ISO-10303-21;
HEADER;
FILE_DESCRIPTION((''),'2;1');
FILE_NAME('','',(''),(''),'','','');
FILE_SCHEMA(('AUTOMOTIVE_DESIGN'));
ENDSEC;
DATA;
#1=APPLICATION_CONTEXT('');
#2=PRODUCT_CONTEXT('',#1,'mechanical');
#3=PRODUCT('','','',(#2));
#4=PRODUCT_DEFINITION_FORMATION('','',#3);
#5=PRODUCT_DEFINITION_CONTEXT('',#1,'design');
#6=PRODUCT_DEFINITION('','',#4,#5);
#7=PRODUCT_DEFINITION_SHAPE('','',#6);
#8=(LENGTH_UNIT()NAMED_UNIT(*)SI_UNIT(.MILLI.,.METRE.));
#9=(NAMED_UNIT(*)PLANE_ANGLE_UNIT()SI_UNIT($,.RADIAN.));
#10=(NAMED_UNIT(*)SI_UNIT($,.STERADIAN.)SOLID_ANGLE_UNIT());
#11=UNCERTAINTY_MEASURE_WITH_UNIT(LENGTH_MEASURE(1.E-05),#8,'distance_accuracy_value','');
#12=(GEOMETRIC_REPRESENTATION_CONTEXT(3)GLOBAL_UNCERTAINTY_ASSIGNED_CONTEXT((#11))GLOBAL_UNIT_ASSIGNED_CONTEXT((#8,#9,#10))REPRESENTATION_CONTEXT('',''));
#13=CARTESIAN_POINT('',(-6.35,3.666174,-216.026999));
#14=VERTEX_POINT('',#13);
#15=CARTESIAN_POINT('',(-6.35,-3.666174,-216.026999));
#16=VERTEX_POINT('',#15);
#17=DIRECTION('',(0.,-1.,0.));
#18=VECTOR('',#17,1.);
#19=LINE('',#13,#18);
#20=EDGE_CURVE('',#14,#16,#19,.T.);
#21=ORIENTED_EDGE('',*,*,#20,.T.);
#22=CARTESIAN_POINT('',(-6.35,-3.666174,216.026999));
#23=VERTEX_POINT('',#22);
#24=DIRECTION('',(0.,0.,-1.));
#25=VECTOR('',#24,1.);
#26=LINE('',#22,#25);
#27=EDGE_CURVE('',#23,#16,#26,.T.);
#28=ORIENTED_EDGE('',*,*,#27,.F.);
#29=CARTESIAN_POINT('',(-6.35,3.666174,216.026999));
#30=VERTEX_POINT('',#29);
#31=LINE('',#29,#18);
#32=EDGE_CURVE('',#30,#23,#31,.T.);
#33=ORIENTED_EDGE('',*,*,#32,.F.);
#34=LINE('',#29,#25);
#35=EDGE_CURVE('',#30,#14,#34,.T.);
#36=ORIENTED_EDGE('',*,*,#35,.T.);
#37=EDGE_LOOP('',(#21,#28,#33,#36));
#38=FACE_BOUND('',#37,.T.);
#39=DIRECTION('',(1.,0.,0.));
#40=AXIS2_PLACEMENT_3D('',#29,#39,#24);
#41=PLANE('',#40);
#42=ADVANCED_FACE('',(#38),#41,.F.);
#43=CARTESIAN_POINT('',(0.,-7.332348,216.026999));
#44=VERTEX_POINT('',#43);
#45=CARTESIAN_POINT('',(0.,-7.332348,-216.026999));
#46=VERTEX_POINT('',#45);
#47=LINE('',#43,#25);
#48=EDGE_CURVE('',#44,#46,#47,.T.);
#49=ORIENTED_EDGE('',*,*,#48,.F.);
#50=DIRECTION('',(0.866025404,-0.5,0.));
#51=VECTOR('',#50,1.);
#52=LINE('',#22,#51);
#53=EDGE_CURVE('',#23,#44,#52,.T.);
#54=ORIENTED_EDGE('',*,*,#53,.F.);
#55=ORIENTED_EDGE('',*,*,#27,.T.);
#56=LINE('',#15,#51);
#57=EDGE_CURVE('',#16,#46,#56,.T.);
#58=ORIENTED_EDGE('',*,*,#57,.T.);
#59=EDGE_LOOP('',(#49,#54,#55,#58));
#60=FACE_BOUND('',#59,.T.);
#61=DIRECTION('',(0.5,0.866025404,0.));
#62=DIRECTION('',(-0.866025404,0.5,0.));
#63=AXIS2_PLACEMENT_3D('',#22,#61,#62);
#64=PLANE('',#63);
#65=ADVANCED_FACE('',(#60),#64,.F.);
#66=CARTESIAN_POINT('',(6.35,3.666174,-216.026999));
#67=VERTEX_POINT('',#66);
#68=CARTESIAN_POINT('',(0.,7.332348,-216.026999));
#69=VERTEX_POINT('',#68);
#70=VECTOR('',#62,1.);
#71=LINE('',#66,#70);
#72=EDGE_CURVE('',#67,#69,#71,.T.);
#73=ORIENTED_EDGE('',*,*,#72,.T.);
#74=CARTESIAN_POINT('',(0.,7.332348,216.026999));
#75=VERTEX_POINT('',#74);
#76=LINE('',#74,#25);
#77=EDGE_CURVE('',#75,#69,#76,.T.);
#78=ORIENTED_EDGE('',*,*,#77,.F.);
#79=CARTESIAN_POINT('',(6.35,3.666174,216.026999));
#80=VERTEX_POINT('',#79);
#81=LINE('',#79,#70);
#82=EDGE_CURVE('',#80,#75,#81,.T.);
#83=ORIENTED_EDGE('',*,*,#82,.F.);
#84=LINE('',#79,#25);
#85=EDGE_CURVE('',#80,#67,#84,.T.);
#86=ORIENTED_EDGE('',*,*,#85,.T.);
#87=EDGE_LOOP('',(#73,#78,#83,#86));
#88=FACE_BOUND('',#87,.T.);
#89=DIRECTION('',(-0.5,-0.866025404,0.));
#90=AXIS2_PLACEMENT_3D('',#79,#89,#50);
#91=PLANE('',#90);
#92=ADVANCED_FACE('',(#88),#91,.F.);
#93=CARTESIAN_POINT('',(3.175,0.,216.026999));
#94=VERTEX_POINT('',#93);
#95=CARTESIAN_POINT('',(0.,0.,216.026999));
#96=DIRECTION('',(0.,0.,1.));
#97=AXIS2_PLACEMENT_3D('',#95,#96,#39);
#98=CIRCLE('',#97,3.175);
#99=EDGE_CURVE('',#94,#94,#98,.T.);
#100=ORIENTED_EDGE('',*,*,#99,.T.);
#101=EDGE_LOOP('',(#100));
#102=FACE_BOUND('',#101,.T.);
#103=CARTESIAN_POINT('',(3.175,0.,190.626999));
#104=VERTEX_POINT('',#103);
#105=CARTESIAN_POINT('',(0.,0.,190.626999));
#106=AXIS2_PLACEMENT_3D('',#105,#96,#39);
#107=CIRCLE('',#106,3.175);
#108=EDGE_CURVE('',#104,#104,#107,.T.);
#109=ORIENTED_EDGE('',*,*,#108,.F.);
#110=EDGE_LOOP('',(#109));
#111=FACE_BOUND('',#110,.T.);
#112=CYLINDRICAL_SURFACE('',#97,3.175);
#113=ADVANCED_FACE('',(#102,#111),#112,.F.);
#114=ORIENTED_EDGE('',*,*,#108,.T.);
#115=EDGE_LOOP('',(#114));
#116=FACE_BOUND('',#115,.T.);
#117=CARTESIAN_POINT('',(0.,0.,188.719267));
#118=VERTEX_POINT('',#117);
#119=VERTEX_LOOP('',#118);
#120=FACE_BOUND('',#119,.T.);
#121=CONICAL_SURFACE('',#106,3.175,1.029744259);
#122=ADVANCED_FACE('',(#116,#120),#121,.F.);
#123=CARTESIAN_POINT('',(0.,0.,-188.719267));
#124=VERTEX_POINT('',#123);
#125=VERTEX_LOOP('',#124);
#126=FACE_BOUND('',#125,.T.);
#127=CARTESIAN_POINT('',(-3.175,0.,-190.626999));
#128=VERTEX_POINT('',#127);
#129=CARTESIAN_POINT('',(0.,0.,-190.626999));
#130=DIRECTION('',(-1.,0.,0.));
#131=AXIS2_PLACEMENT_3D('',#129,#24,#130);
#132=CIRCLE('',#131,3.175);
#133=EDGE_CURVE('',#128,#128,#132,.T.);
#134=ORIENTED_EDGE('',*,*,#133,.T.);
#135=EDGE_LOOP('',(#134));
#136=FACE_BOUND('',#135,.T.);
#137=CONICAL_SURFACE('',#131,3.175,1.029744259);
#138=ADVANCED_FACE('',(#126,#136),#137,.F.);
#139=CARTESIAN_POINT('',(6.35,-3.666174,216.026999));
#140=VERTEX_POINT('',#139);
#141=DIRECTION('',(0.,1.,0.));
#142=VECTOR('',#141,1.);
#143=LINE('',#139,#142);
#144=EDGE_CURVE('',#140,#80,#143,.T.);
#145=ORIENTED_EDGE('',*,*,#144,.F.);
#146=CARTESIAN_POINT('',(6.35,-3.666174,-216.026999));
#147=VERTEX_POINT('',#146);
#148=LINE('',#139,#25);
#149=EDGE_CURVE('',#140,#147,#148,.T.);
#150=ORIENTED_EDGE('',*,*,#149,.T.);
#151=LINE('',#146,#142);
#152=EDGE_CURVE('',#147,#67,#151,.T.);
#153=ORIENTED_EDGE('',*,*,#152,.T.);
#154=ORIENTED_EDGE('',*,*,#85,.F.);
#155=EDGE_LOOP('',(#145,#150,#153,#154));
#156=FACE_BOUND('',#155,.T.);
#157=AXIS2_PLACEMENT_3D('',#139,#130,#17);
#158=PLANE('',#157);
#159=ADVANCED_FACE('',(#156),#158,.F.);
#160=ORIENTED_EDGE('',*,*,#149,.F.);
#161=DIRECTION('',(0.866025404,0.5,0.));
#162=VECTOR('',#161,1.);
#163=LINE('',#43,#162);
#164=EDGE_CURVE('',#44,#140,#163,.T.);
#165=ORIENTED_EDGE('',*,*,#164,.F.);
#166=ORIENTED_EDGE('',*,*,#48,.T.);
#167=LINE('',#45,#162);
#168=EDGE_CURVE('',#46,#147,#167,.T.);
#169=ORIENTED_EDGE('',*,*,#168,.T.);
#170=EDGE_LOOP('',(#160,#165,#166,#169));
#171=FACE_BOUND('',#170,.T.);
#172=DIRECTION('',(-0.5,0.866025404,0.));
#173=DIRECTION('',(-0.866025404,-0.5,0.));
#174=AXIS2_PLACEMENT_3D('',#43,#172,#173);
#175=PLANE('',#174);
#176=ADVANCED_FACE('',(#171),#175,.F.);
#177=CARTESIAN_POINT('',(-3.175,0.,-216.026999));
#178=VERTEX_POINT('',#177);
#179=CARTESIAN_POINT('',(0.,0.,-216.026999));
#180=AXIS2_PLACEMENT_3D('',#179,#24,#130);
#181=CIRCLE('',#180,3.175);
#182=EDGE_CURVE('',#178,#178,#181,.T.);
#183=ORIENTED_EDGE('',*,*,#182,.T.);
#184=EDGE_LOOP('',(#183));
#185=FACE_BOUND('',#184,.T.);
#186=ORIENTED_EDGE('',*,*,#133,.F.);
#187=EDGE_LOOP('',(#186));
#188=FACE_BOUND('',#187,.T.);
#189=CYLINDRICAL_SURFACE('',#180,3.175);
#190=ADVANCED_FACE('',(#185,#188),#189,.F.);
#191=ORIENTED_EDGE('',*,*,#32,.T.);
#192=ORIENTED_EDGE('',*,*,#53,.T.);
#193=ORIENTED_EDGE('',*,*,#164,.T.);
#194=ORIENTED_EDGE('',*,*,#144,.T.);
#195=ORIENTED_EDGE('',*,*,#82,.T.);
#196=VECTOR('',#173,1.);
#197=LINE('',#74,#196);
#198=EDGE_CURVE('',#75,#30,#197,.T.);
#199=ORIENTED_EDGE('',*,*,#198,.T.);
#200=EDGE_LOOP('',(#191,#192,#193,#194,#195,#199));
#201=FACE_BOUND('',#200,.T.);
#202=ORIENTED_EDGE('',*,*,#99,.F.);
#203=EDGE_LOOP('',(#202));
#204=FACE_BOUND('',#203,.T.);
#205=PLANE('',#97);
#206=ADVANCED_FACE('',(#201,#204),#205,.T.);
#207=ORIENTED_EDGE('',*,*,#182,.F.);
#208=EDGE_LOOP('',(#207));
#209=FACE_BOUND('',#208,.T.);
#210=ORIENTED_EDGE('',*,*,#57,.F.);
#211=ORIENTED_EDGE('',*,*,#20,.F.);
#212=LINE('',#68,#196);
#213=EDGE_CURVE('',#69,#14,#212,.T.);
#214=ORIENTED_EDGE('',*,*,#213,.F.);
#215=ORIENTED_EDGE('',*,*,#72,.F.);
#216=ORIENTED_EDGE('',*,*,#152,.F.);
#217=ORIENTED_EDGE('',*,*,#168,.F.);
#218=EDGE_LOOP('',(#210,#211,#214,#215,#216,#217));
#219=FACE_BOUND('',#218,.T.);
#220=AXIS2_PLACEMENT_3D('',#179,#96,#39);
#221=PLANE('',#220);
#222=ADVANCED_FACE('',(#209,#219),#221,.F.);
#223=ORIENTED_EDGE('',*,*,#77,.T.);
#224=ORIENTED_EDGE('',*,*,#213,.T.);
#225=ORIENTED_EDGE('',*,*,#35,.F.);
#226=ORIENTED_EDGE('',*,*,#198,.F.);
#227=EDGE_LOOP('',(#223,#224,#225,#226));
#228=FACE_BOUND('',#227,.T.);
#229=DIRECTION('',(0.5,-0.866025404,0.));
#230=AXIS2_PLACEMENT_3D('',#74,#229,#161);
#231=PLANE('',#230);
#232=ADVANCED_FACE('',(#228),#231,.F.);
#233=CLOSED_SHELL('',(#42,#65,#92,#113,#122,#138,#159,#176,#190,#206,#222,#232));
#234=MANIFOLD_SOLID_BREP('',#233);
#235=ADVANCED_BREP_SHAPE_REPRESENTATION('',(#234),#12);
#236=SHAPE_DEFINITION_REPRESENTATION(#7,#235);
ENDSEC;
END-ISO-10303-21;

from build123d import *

# Parameters (mm, degrees)
BOSS_EXTRUDE2_DEPTH             = 216.026999
BOSS_EXTRUDE2_DEPTH_BACK        = 216.026999
F_1_4_0_25_DIAMETER_HOLE1_D     = 6.35
F_1_4_0_25_DIAMETER_HOLE1_DEPTH = 25.4
F_1_4_0_25_DIAMETER_HOLE1_TIP   = 1.907732465
F_1_4_0_25_DIAMETER_HOLE2_D     = 6.35
F_1_4_0_25_DIAMETER_HOLE2_DEPTH = 25.4
F_1_4_0_25_DIAMETER_HOLE2_TIP   = 1.907732465


with BuildPart() as part:
    # Sketch3 → Boss-Extrude2 (new, two sides: drawn at the far end of the back side and taken through both)
    with BuildSketch(Plane.XY.offset(-BOSS_EXTRUDE2_DEPTH_BACK)):
        Polygon((-6.35, -3.666174209), (0, -7.332348419), (6.35, -3.666174209), (6.35, 3.666174209), (0, 7.332348419), (-6.35, 3.666174209), align=None)
    extrude(amount=BOSS_EXTRUDE2_DEPTH + BOSS_EXTRUDE2_DEPTH_BACK)

    # 1/4 (0.25) Diameter Hole1
    with Locations(Plane.XY.offset(216.026998984)):
        with Locations((0, 0)):
            Hole(F_1_4_0_25_DIAMETER_HOLE1_D / 2, depth=F_1_4_0_25_DIAMETER_HOLE1_DEPTH)
            with Locations((0, 0, -(F_1_4_0_25_DIAMETER_HOLE1_DEPTH + F_1_4_0_25_DIAMETER_HOLE1_TIP / 2))):  # 118° drill point
                Cone(0, F_1_4_0_25_DIAMETER_HOLE1_D / 2, F_1_4_0_25_DIAMETER_HOLE1_TIP, mode=Mode.SUBTRACT)

    # 1/4 (0.25) Diameter Hole2
    with Locations(Plane(origin=(0, 0, -216.026998984), x_dir=(-1, 0, 0), z_dir=(0, 0, -1))):
        with Locations((0, 0)):
            Hole(F_1_4_0_25_DIAMETER_HOLE2_D / 2, depth=F_1_4_0_25_DIAMETER_HOLE2_DEPTH)
            with Locations((0, 0, -(F_1_4_0_25_DIAMETER_HOLE2_DEPTH + F_1_4_0_25_DIAMETER_HOLE2_TIP / 2))):  # 118° drill point
                Cone(0, F_1_4_0_25_DIAMETER_HOLE2_D / 2, F_1_4_0_25_DIAMETER_HOLE2_TIP, mode=Mode.SUBTRACT)


solid = part.part
